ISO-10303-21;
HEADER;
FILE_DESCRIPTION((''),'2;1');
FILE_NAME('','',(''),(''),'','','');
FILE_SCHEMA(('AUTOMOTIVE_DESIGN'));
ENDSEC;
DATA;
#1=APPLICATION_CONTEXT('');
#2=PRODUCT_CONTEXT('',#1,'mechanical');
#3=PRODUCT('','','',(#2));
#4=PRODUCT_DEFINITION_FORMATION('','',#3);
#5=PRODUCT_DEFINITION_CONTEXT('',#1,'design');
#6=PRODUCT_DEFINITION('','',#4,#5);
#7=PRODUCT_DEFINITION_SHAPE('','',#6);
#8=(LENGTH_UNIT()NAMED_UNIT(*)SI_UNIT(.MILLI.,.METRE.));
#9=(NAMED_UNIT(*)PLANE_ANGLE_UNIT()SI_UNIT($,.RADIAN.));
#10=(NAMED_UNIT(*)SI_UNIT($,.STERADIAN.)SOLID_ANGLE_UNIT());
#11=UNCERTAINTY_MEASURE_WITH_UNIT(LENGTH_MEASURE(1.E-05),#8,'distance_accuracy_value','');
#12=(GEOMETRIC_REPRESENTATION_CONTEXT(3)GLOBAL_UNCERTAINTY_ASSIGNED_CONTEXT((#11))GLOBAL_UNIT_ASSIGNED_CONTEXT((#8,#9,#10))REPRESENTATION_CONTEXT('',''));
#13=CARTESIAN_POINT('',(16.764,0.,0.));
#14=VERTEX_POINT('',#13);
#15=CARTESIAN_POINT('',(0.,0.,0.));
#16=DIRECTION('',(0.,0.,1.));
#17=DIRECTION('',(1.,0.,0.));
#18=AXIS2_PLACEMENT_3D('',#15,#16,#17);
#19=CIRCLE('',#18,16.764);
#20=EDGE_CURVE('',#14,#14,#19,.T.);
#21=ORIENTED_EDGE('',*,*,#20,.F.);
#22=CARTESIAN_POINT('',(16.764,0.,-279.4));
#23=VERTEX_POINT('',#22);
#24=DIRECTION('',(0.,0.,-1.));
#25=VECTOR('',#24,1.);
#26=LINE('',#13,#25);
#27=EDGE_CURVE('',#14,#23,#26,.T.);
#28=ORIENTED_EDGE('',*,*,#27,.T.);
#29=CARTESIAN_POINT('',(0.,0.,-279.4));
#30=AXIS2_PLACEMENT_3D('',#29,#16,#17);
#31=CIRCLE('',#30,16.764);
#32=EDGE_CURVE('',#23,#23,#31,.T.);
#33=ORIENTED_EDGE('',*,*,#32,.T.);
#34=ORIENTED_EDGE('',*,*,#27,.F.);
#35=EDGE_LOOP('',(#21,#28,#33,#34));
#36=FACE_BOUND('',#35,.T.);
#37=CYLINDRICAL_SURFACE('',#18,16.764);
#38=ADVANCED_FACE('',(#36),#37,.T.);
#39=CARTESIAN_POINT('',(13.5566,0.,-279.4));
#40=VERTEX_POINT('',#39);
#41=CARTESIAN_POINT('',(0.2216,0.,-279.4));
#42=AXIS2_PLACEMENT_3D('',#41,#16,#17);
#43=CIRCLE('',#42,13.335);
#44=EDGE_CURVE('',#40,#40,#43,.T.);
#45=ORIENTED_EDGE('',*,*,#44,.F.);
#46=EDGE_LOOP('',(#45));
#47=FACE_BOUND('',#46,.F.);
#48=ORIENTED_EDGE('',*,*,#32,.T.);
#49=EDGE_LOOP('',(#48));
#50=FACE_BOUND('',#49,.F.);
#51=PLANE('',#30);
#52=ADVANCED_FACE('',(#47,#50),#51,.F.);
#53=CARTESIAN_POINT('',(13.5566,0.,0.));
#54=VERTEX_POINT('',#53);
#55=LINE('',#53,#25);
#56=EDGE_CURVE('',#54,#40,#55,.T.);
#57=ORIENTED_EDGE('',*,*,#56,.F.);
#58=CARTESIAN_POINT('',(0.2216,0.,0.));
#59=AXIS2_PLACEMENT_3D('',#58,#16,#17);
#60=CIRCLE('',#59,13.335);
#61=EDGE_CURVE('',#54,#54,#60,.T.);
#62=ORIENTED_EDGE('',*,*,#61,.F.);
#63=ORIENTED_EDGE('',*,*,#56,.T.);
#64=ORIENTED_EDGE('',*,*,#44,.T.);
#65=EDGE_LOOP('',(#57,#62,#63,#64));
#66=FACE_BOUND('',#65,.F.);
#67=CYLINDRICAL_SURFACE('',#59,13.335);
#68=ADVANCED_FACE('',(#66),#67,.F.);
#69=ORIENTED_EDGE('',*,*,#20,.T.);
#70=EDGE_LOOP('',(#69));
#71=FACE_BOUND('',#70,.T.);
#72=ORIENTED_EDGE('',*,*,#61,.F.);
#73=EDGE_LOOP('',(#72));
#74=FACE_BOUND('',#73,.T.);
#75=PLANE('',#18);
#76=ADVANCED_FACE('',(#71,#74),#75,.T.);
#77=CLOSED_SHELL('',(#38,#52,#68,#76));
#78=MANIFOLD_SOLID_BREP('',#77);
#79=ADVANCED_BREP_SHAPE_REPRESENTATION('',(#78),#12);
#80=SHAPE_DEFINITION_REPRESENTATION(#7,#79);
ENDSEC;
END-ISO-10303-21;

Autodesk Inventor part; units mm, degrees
ref_plane "YZ Plane" through (0, 0, 0) normal (1, 0, 0) x (0, 1, 0)
ref_plane "XZ Plane" through (0, 0, 0) normal (0, 1, 0) x (-1, 0, 0)
ref_plane "XY Plane" through (0, 0, 0) normal (0, 0, 1) x (1, 0, 0)
sketch "Sketch1" plane through (0, 0, 0) normal (0, 0, 1) x (1, 0, 0)
  circle A0 centre (0, 0) radius 16.764
  circle A1 centre (0.2216, 0) radius 13.335
  dimension "d0" = 33.528
  dimension "d2" = 26.67
extrude "Extrusion1" add sketch "Sketch1" against normal blind 279.4
properties part number "GE-13023-02" material "Steel"
